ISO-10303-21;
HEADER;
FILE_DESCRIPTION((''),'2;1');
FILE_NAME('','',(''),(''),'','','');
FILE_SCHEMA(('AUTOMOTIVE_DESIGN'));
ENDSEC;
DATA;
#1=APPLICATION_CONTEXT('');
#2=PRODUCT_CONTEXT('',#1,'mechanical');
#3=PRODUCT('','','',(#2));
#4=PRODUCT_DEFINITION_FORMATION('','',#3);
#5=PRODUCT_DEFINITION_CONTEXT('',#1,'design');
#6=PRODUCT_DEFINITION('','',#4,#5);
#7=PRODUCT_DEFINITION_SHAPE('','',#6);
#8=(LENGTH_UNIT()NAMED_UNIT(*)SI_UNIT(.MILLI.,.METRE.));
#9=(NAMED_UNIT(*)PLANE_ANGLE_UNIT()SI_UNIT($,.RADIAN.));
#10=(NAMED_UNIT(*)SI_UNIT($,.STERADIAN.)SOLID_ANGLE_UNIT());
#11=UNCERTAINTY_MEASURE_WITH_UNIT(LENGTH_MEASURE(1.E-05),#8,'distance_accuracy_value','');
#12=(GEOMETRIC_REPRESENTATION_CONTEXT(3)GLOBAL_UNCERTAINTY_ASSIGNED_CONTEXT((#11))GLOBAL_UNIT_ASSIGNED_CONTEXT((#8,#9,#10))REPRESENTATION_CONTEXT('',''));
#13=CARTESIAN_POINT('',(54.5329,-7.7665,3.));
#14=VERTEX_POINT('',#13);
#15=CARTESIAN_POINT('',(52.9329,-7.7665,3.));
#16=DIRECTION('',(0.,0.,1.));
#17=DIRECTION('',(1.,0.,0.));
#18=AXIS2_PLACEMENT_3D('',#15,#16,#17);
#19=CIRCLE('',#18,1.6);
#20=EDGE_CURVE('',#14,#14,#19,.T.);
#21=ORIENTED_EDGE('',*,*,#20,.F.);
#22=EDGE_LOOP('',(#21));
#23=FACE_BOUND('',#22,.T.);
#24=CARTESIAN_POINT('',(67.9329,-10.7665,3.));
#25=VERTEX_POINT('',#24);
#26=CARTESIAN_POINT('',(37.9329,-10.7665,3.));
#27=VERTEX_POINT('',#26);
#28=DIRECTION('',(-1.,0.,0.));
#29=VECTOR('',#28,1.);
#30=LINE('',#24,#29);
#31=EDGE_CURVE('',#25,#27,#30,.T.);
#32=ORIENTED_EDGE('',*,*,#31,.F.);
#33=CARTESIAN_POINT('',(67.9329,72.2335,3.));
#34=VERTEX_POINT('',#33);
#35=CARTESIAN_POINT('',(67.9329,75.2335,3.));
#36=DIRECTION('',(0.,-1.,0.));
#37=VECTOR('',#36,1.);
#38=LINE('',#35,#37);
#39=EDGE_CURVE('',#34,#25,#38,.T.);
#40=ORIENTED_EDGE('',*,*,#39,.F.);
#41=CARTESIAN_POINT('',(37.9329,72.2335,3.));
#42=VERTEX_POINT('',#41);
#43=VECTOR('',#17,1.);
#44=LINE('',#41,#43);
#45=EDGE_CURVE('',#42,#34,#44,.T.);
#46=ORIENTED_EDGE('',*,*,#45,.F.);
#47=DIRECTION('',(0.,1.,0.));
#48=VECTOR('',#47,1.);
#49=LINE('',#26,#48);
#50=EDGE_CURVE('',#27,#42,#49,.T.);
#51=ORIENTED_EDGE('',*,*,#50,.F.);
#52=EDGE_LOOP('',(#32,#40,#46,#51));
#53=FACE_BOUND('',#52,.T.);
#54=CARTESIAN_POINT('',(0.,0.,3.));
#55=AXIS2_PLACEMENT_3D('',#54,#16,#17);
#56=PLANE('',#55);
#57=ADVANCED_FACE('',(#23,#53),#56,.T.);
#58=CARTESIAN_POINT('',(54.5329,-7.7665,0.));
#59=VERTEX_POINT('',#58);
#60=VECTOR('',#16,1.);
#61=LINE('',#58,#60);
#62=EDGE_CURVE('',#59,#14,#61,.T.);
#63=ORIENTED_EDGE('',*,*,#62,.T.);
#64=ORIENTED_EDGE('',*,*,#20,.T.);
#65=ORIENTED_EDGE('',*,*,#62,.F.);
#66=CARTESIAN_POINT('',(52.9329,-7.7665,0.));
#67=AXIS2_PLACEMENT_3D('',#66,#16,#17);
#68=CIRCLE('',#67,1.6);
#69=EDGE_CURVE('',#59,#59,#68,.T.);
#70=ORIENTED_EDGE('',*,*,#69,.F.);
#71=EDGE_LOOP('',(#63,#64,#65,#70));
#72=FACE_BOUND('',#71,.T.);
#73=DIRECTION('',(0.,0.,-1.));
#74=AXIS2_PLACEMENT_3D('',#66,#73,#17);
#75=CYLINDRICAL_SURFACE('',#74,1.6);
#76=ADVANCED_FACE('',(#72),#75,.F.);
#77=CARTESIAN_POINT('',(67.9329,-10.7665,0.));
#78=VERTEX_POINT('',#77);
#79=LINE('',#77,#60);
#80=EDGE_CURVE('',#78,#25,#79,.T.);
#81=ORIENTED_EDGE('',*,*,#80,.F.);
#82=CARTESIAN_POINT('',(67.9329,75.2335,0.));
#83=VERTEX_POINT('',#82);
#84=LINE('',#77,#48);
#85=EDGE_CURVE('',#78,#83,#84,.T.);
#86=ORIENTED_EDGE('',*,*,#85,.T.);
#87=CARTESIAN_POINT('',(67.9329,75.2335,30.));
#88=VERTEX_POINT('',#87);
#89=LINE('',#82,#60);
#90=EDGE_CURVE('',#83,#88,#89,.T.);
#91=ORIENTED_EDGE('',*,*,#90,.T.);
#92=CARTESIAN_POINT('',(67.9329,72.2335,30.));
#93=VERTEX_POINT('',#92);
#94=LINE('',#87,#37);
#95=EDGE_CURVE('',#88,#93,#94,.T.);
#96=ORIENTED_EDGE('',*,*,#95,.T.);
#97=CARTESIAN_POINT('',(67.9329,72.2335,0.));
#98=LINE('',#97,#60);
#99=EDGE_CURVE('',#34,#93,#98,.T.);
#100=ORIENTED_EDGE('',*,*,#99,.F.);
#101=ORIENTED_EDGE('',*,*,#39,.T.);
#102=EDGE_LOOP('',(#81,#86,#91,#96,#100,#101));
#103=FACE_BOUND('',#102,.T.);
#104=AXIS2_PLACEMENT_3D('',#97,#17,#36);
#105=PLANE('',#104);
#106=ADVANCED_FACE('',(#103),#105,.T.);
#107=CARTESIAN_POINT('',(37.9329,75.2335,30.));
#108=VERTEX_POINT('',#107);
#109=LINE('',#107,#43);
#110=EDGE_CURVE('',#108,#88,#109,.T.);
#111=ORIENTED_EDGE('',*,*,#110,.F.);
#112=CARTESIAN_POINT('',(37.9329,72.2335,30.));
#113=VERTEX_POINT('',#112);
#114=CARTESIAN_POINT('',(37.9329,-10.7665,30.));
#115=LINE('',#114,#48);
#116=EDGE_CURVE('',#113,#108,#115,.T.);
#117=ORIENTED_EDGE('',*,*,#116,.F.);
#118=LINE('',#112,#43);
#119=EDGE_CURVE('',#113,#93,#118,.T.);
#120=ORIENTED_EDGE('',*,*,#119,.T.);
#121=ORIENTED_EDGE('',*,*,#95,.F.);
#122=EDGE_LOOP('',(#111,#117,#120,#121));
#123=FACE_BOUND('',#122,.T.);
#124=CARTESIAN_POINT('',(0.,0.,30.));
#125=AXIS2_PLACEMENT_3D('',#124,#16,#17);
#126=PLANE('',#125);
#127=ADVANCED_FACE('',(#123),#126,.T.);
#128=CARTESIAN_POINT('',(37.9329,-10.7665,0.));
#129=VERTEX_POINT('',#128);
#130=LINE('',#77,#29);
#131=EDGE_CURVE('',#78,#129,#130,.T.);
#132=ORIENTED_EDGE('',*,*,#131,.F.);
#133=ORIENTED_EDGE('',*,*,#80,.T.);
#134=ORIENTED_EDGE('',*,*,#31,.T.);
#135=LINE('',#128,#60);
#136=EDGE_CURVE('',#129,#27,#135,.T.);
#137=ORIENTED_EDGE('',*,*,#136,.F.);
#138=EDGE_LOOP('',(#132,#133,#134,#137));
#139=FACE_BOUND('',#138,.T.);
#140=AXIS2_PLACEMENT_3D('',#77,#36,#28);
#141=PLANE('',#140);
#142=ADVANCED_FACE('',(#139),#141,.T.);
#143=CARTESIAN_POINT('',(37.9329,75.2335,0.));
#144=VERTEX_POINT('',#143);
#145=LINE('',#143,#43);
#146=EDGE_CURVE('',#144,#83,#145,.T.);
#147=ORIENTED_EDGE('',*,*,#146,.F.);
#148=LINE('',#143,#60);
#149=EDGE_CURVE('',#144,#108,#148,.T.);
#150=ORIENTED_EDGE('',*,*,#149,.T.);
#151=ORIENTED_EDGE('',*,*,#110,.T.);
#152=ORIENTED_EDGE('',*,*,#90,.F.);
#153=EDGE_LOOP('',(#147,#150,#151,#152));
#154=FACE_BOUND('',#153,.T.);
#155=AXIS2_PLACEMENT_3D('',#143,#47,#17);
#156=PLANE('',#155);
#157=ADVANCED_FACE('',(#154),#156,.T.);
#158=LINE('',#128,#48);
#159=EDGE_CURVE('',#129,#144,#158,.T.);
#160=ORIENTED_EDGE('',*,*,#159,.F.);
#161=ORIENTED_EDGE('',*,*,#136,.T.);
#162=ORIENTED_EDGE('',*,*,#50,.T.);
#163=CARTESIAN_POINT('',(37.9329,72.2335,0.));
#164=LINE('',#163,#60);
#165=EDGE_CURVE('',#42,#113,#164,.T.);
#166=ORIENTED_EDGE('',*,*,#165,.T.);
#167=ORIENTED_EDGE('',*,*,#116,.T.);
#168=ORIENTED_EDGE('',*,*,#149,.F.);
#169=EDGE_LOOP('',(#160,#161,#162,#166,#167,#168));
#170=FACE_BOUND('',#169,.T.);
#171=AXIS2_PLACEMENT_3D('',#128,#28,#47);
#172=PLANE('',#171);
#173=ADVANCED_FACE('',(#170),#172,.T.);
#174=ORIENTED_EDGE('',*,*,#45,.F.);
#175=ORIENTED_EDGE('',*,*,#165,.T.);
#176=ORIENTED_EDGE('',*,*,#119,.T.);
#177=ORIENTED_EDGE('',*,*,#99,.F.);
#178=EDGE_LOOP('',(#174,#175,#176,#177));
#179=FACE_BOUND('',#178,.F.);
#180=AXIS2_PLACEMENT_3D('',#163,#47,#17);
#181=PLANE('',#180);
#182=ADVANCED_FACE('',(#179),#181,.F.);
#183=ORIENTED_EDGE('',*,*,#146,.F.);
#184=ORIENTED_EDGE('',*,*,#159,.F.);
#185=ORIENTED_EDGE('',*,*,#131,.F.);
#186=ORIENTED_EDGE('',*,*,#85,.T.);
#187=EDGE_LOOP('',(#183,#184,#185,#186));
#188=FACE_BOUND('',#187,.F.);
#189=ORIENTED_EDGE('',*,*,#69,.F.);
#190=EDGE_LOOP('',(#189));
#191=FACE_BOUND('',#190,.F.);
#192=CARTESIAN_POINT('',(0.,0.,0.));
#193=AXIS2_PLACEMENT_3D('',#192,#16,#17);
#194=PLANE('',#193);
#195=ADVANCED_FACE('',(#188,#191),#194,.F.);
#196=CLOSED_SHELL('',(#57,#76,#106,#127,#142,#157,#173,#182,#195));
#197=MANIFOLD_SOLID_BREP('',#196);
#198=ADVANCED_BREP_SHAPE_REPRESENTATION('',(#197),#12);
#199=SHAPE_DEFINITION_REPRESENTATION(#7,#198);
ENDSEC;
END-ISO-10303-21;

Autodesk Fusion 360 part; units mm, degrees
sketch "Schizzo1" plane through (0, 0, 0) normal (0, 0, 1) x (1, 0, 0)
  line L0 (37.9329, 75.2335) -> (67.9329, 75.2335)
  line L1 (67.9329, 75.2335) -> (67.9329, -10.7665)
  line L2 (67.9329, -10.7665) -> (37.9329, -10.7665)
  line L3 (37.9329, -10.7665) -> (37.9329, 75.2335)
  line L4 (37.9329, -7.7665) -> (67.9329, -7.7665) construction
  line L5 (52.9329, 75.2335) -> (52.9329, -10.7665) construction
  line L6 (37.9329, 72.2335) -> (67.9329, 72.2335)
  circle A0 centre (52.9329, -7.7665) radius 1.6
  line L7 (37.9329, -4.7665) -> (67.9329, -4.7665) construction
  dimension "d1" = 30
  dimension "d3" = 3
  dimension "d4" = 3
  dimension "d5" = 3.2
  dimension "d13" = 6
  dimension "d14" = 77
extrude "Estrusione1" add sketch "Schizzo1" along normal blind 3 contours L1 L2 L3 L6
extrude "Estrusione2" add sketch "Schizzo1" along normal blind 30 contours L0 L1 L3 L6
